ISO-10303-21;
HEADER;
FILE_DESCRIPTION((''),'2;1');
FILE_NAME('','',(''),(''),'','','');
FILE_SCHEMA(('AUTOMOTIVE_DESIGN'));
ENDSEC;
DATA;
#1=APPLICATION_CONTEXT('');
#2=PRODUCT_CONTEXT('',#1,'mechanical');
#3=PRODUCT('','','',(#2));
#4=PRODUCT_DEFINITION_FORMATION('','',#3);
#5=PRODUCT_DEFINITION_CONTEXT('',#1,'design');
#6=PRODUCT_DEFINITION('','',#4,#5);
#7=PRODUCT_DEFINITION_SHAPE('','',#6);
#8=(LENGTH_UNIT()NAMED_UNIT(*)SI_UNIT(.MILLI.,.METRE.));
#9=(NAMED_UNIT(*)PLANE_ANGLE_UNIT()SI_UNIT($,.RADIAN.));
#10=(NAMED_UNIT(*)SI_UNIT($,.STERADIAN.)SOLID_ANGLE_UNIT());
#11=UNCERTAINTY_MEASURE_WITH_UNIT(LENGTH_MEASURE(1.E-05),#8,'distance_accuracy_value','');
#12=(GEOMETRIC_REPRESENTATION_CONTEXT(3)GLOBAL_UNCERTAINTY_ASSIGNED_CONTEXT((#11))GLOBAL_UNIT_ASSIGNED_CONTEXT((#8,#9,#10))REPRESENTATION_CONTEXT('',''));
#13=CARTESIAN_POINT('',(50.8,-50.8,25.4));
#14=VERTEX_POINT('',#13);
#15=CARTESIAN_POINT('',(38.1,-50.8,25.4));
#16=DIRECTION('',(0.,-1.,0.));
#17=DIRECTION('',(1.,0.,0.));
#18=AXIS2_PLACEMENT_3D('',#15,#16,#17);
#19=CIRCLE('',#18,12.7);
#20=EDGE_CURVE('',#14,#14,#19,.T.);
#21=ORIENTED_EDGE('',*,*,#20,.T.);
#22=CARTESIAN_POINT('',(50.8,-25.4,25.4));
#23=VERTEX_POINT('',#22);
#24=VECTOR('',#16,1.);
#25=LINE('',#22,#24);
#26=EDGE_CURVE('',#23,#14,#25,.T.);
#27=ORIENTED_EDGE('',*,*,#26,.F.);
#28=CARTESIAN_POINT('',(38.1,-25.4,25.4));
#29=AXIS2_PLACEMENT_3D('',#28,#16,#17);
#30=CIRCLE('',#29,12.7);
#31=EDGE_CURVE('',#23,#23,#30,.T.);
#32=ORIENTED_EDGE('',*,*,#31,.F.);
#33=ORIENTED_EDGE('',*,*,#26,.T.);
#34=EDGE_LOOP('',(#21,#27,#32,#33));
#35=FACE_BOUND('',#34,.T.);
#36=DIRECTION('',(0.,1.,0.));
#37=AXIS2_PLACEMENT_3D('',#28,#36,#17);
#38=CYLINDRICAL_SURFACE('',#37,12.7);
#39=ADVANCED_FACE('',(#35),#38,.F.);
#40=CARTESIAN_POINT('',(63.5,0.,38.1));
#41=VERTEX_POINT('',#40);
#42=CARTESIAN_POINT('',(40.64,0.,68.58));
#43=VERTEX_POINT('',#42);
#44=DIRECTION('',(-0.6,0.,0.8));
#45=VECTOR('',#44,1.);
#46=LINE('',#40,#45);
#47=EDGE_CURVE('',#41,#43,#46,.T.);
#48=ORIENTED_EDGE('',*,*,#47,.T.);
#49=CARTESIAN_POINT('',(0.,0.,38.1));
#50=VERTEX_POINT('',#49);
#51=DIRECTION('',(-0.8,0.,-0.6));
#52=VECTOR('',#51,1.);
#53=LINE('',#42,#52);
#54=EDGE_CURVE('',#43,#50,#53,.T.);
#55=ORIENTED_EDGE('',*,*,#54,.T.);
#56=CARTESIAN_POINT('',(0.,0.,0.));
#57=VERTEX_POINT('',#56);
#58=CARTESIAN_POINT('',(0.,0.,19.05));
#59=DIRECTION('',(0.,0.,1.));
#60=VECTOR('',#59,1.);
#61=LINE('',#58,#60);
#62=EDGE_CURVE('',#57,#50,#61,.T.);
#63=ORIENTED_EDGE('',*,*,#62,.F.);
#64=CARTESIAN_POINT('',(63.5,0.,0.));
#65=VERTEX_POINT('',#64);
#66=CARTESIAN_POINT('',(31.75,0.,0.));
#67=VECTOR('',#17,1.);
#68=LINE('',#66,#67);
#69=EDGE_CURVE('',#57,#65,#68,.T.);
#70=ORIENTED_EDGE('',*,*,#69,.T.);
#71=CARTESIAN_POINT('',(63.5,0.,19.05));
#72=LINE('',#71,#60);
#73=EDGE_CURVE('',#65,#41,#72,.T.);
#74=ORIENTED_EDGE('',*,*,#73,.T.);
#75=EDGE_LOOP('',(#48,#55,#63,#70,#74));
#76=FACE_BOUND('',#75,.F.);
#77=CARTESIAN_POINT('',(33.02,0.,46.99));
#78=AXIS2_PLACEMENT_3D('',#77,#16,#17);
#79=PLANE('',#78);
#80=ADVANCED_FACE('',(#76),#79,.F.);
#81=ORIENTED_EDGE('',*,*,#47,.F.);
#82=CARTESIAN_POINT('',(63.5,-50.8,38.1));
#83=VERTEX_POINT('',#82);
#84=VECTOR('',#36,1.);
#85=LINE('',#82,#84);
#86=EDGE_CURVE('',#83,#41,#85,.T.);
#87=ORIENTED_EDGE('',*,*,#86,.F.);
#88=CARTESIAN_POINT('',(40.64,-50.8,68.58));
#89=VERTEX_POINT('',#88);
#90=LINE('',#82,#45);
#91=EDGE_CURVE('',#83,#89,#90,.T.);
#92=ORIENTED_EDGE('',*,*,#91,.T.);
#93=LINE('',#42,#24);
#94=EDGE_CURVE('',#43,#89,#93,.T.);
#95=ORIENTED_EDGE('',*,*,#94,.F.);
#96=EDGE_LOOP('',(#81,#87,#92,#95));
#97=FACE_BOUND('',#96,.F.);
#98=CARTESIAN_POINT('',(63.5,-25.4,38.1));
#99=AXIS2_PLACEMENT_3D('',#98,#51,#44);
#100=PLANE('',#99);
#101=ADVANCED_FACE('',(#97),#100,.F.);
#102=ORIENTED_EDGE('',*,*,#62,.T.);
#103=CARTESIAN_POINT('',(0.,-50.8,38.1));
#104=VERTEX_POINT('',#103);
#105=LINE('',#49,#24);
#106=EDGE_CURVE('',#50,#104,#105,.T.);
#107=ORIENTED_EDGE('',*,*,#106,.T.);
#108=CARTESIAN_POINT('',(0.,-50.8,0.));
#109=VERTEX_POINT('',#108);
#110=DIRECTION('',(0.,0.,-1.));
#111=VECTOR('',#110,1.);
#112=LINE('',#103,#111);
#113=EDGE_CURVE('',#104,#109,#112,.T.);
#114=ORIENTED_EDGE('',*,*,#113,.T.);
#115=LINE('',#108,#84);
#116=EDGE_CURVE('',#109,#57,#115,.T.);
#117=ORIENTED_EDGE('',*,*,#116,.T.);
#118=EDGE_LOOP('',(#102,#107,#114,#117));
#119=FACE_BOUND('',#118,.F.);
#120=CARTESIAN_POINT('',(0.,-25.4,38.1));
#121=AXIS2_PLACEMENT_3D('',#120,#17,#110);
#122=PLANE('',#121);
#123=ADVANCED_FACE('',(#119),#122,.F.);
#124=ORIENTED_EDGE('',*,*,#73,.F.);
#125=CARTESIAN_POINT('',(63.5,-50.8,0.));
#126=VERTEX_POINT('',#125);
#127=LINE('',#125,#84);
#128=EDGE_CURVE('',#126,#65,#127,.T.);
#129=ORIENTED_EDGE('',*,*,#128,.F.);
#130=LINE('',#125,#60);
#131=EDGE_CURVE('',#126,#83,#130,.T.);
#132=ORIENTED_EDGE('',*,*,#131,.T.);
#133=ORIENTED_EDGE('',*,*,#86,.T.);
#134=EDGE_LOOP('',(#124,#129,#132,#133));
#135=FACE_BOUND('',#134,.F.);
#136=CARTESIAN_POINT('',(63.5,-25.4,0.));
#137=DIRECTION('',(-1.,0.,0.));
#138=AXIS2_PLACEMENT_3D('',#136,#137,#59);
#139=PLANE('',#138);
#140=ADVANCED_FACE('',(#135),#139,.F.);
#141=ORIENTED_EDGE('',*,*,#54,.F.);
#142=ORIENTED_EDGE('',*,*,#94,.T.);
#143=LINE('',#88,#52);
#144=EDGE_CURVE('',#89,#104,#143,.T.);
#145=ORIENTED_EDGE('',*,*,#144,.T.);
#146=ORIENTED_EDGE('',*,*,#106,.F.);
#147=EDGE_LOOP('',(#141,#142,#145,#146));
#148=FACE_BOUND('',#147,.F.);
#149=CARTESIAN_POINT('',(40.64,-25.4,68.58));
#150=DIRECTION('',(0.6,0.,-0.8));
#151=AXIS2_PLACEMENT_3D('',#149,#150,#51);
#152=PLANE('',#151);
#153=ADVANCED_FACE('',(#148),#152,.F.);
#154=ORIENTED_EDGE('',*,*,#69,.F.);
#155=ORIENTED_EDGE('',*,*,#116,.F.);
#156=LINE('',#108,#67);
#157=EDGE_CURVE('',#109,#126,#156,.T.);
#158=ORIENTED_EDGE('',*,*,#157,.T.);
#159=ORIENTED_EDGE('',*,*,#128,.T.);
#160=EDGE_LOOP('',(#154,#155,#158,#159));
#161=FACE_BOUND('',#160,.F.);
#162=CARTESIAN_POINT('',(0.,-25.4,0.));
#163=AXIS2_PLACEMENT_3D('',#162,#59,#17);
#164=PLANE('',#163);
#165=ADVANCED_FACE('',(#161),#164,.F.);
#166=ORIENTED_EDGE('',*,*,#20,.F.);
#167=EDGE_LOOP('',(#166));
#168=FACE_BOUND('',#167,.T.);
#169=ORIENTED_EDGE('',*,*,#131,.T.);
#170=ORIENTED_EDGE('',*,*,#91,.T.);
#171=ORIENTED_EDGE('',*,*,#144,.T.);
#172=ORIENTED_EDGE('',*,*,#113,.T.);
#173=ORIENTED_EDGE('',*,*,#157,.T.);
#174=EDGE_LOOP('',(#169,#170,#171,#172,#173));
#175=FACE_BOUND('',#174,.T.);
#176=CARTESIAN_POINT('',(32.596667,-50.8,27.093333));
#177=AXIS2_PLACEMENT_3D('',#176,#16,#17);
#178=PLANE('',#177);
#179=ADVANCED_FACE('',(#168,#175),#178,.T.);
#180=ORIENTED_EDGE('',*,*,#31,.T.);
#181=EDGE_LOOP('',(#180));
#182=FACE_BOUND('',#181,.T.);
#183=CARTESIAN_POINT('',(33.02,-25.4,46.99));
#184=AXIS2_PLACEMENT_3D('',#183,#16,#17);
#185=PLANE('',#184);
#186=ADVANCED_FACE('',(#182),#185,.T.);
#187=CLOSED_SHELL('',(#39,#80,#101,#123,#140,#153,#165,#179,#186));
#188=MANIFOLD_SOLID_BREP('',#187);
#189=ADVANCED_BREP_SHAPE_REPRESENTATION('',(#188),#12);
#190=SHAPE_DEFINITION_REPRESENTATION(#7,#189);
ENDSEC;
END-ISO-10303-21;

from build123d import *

# Parameters (mm, degrees)
F0_W     = 63.5
F0_H     = 38.1
F1_DEPTH = 25.4
F2_R     = 12.7
F3_DEPTH = 25.4


with BuildPart() as f1:
    # F0 (on Front) → F1 (new body)
    with BuildSketch(Plane.XZ):
        Polygon((40.64, 68.58), (0, 38.1), (63.5, 38.1), align=None)
        with Locations((31.75, 19.05)):
            Rectangle(F0_W, F0_H)
    extrude(amount=F1_DEPTH)

    # F2 (on face) → F3 (join)
    with BuildSketch(Plane.XZ.offset(25.4)):
        Polygon((63.5, 38.1), (40.64, 68.58), (0, 38.1), (0, 0), (63.5, 0), align=None)
        with Locations((38.1, 25.4)):
            Circle(F2_R, mode=Mode.SUBTRACT)
    extrude(amount=F3_DEPTH)


solid = f1.part
